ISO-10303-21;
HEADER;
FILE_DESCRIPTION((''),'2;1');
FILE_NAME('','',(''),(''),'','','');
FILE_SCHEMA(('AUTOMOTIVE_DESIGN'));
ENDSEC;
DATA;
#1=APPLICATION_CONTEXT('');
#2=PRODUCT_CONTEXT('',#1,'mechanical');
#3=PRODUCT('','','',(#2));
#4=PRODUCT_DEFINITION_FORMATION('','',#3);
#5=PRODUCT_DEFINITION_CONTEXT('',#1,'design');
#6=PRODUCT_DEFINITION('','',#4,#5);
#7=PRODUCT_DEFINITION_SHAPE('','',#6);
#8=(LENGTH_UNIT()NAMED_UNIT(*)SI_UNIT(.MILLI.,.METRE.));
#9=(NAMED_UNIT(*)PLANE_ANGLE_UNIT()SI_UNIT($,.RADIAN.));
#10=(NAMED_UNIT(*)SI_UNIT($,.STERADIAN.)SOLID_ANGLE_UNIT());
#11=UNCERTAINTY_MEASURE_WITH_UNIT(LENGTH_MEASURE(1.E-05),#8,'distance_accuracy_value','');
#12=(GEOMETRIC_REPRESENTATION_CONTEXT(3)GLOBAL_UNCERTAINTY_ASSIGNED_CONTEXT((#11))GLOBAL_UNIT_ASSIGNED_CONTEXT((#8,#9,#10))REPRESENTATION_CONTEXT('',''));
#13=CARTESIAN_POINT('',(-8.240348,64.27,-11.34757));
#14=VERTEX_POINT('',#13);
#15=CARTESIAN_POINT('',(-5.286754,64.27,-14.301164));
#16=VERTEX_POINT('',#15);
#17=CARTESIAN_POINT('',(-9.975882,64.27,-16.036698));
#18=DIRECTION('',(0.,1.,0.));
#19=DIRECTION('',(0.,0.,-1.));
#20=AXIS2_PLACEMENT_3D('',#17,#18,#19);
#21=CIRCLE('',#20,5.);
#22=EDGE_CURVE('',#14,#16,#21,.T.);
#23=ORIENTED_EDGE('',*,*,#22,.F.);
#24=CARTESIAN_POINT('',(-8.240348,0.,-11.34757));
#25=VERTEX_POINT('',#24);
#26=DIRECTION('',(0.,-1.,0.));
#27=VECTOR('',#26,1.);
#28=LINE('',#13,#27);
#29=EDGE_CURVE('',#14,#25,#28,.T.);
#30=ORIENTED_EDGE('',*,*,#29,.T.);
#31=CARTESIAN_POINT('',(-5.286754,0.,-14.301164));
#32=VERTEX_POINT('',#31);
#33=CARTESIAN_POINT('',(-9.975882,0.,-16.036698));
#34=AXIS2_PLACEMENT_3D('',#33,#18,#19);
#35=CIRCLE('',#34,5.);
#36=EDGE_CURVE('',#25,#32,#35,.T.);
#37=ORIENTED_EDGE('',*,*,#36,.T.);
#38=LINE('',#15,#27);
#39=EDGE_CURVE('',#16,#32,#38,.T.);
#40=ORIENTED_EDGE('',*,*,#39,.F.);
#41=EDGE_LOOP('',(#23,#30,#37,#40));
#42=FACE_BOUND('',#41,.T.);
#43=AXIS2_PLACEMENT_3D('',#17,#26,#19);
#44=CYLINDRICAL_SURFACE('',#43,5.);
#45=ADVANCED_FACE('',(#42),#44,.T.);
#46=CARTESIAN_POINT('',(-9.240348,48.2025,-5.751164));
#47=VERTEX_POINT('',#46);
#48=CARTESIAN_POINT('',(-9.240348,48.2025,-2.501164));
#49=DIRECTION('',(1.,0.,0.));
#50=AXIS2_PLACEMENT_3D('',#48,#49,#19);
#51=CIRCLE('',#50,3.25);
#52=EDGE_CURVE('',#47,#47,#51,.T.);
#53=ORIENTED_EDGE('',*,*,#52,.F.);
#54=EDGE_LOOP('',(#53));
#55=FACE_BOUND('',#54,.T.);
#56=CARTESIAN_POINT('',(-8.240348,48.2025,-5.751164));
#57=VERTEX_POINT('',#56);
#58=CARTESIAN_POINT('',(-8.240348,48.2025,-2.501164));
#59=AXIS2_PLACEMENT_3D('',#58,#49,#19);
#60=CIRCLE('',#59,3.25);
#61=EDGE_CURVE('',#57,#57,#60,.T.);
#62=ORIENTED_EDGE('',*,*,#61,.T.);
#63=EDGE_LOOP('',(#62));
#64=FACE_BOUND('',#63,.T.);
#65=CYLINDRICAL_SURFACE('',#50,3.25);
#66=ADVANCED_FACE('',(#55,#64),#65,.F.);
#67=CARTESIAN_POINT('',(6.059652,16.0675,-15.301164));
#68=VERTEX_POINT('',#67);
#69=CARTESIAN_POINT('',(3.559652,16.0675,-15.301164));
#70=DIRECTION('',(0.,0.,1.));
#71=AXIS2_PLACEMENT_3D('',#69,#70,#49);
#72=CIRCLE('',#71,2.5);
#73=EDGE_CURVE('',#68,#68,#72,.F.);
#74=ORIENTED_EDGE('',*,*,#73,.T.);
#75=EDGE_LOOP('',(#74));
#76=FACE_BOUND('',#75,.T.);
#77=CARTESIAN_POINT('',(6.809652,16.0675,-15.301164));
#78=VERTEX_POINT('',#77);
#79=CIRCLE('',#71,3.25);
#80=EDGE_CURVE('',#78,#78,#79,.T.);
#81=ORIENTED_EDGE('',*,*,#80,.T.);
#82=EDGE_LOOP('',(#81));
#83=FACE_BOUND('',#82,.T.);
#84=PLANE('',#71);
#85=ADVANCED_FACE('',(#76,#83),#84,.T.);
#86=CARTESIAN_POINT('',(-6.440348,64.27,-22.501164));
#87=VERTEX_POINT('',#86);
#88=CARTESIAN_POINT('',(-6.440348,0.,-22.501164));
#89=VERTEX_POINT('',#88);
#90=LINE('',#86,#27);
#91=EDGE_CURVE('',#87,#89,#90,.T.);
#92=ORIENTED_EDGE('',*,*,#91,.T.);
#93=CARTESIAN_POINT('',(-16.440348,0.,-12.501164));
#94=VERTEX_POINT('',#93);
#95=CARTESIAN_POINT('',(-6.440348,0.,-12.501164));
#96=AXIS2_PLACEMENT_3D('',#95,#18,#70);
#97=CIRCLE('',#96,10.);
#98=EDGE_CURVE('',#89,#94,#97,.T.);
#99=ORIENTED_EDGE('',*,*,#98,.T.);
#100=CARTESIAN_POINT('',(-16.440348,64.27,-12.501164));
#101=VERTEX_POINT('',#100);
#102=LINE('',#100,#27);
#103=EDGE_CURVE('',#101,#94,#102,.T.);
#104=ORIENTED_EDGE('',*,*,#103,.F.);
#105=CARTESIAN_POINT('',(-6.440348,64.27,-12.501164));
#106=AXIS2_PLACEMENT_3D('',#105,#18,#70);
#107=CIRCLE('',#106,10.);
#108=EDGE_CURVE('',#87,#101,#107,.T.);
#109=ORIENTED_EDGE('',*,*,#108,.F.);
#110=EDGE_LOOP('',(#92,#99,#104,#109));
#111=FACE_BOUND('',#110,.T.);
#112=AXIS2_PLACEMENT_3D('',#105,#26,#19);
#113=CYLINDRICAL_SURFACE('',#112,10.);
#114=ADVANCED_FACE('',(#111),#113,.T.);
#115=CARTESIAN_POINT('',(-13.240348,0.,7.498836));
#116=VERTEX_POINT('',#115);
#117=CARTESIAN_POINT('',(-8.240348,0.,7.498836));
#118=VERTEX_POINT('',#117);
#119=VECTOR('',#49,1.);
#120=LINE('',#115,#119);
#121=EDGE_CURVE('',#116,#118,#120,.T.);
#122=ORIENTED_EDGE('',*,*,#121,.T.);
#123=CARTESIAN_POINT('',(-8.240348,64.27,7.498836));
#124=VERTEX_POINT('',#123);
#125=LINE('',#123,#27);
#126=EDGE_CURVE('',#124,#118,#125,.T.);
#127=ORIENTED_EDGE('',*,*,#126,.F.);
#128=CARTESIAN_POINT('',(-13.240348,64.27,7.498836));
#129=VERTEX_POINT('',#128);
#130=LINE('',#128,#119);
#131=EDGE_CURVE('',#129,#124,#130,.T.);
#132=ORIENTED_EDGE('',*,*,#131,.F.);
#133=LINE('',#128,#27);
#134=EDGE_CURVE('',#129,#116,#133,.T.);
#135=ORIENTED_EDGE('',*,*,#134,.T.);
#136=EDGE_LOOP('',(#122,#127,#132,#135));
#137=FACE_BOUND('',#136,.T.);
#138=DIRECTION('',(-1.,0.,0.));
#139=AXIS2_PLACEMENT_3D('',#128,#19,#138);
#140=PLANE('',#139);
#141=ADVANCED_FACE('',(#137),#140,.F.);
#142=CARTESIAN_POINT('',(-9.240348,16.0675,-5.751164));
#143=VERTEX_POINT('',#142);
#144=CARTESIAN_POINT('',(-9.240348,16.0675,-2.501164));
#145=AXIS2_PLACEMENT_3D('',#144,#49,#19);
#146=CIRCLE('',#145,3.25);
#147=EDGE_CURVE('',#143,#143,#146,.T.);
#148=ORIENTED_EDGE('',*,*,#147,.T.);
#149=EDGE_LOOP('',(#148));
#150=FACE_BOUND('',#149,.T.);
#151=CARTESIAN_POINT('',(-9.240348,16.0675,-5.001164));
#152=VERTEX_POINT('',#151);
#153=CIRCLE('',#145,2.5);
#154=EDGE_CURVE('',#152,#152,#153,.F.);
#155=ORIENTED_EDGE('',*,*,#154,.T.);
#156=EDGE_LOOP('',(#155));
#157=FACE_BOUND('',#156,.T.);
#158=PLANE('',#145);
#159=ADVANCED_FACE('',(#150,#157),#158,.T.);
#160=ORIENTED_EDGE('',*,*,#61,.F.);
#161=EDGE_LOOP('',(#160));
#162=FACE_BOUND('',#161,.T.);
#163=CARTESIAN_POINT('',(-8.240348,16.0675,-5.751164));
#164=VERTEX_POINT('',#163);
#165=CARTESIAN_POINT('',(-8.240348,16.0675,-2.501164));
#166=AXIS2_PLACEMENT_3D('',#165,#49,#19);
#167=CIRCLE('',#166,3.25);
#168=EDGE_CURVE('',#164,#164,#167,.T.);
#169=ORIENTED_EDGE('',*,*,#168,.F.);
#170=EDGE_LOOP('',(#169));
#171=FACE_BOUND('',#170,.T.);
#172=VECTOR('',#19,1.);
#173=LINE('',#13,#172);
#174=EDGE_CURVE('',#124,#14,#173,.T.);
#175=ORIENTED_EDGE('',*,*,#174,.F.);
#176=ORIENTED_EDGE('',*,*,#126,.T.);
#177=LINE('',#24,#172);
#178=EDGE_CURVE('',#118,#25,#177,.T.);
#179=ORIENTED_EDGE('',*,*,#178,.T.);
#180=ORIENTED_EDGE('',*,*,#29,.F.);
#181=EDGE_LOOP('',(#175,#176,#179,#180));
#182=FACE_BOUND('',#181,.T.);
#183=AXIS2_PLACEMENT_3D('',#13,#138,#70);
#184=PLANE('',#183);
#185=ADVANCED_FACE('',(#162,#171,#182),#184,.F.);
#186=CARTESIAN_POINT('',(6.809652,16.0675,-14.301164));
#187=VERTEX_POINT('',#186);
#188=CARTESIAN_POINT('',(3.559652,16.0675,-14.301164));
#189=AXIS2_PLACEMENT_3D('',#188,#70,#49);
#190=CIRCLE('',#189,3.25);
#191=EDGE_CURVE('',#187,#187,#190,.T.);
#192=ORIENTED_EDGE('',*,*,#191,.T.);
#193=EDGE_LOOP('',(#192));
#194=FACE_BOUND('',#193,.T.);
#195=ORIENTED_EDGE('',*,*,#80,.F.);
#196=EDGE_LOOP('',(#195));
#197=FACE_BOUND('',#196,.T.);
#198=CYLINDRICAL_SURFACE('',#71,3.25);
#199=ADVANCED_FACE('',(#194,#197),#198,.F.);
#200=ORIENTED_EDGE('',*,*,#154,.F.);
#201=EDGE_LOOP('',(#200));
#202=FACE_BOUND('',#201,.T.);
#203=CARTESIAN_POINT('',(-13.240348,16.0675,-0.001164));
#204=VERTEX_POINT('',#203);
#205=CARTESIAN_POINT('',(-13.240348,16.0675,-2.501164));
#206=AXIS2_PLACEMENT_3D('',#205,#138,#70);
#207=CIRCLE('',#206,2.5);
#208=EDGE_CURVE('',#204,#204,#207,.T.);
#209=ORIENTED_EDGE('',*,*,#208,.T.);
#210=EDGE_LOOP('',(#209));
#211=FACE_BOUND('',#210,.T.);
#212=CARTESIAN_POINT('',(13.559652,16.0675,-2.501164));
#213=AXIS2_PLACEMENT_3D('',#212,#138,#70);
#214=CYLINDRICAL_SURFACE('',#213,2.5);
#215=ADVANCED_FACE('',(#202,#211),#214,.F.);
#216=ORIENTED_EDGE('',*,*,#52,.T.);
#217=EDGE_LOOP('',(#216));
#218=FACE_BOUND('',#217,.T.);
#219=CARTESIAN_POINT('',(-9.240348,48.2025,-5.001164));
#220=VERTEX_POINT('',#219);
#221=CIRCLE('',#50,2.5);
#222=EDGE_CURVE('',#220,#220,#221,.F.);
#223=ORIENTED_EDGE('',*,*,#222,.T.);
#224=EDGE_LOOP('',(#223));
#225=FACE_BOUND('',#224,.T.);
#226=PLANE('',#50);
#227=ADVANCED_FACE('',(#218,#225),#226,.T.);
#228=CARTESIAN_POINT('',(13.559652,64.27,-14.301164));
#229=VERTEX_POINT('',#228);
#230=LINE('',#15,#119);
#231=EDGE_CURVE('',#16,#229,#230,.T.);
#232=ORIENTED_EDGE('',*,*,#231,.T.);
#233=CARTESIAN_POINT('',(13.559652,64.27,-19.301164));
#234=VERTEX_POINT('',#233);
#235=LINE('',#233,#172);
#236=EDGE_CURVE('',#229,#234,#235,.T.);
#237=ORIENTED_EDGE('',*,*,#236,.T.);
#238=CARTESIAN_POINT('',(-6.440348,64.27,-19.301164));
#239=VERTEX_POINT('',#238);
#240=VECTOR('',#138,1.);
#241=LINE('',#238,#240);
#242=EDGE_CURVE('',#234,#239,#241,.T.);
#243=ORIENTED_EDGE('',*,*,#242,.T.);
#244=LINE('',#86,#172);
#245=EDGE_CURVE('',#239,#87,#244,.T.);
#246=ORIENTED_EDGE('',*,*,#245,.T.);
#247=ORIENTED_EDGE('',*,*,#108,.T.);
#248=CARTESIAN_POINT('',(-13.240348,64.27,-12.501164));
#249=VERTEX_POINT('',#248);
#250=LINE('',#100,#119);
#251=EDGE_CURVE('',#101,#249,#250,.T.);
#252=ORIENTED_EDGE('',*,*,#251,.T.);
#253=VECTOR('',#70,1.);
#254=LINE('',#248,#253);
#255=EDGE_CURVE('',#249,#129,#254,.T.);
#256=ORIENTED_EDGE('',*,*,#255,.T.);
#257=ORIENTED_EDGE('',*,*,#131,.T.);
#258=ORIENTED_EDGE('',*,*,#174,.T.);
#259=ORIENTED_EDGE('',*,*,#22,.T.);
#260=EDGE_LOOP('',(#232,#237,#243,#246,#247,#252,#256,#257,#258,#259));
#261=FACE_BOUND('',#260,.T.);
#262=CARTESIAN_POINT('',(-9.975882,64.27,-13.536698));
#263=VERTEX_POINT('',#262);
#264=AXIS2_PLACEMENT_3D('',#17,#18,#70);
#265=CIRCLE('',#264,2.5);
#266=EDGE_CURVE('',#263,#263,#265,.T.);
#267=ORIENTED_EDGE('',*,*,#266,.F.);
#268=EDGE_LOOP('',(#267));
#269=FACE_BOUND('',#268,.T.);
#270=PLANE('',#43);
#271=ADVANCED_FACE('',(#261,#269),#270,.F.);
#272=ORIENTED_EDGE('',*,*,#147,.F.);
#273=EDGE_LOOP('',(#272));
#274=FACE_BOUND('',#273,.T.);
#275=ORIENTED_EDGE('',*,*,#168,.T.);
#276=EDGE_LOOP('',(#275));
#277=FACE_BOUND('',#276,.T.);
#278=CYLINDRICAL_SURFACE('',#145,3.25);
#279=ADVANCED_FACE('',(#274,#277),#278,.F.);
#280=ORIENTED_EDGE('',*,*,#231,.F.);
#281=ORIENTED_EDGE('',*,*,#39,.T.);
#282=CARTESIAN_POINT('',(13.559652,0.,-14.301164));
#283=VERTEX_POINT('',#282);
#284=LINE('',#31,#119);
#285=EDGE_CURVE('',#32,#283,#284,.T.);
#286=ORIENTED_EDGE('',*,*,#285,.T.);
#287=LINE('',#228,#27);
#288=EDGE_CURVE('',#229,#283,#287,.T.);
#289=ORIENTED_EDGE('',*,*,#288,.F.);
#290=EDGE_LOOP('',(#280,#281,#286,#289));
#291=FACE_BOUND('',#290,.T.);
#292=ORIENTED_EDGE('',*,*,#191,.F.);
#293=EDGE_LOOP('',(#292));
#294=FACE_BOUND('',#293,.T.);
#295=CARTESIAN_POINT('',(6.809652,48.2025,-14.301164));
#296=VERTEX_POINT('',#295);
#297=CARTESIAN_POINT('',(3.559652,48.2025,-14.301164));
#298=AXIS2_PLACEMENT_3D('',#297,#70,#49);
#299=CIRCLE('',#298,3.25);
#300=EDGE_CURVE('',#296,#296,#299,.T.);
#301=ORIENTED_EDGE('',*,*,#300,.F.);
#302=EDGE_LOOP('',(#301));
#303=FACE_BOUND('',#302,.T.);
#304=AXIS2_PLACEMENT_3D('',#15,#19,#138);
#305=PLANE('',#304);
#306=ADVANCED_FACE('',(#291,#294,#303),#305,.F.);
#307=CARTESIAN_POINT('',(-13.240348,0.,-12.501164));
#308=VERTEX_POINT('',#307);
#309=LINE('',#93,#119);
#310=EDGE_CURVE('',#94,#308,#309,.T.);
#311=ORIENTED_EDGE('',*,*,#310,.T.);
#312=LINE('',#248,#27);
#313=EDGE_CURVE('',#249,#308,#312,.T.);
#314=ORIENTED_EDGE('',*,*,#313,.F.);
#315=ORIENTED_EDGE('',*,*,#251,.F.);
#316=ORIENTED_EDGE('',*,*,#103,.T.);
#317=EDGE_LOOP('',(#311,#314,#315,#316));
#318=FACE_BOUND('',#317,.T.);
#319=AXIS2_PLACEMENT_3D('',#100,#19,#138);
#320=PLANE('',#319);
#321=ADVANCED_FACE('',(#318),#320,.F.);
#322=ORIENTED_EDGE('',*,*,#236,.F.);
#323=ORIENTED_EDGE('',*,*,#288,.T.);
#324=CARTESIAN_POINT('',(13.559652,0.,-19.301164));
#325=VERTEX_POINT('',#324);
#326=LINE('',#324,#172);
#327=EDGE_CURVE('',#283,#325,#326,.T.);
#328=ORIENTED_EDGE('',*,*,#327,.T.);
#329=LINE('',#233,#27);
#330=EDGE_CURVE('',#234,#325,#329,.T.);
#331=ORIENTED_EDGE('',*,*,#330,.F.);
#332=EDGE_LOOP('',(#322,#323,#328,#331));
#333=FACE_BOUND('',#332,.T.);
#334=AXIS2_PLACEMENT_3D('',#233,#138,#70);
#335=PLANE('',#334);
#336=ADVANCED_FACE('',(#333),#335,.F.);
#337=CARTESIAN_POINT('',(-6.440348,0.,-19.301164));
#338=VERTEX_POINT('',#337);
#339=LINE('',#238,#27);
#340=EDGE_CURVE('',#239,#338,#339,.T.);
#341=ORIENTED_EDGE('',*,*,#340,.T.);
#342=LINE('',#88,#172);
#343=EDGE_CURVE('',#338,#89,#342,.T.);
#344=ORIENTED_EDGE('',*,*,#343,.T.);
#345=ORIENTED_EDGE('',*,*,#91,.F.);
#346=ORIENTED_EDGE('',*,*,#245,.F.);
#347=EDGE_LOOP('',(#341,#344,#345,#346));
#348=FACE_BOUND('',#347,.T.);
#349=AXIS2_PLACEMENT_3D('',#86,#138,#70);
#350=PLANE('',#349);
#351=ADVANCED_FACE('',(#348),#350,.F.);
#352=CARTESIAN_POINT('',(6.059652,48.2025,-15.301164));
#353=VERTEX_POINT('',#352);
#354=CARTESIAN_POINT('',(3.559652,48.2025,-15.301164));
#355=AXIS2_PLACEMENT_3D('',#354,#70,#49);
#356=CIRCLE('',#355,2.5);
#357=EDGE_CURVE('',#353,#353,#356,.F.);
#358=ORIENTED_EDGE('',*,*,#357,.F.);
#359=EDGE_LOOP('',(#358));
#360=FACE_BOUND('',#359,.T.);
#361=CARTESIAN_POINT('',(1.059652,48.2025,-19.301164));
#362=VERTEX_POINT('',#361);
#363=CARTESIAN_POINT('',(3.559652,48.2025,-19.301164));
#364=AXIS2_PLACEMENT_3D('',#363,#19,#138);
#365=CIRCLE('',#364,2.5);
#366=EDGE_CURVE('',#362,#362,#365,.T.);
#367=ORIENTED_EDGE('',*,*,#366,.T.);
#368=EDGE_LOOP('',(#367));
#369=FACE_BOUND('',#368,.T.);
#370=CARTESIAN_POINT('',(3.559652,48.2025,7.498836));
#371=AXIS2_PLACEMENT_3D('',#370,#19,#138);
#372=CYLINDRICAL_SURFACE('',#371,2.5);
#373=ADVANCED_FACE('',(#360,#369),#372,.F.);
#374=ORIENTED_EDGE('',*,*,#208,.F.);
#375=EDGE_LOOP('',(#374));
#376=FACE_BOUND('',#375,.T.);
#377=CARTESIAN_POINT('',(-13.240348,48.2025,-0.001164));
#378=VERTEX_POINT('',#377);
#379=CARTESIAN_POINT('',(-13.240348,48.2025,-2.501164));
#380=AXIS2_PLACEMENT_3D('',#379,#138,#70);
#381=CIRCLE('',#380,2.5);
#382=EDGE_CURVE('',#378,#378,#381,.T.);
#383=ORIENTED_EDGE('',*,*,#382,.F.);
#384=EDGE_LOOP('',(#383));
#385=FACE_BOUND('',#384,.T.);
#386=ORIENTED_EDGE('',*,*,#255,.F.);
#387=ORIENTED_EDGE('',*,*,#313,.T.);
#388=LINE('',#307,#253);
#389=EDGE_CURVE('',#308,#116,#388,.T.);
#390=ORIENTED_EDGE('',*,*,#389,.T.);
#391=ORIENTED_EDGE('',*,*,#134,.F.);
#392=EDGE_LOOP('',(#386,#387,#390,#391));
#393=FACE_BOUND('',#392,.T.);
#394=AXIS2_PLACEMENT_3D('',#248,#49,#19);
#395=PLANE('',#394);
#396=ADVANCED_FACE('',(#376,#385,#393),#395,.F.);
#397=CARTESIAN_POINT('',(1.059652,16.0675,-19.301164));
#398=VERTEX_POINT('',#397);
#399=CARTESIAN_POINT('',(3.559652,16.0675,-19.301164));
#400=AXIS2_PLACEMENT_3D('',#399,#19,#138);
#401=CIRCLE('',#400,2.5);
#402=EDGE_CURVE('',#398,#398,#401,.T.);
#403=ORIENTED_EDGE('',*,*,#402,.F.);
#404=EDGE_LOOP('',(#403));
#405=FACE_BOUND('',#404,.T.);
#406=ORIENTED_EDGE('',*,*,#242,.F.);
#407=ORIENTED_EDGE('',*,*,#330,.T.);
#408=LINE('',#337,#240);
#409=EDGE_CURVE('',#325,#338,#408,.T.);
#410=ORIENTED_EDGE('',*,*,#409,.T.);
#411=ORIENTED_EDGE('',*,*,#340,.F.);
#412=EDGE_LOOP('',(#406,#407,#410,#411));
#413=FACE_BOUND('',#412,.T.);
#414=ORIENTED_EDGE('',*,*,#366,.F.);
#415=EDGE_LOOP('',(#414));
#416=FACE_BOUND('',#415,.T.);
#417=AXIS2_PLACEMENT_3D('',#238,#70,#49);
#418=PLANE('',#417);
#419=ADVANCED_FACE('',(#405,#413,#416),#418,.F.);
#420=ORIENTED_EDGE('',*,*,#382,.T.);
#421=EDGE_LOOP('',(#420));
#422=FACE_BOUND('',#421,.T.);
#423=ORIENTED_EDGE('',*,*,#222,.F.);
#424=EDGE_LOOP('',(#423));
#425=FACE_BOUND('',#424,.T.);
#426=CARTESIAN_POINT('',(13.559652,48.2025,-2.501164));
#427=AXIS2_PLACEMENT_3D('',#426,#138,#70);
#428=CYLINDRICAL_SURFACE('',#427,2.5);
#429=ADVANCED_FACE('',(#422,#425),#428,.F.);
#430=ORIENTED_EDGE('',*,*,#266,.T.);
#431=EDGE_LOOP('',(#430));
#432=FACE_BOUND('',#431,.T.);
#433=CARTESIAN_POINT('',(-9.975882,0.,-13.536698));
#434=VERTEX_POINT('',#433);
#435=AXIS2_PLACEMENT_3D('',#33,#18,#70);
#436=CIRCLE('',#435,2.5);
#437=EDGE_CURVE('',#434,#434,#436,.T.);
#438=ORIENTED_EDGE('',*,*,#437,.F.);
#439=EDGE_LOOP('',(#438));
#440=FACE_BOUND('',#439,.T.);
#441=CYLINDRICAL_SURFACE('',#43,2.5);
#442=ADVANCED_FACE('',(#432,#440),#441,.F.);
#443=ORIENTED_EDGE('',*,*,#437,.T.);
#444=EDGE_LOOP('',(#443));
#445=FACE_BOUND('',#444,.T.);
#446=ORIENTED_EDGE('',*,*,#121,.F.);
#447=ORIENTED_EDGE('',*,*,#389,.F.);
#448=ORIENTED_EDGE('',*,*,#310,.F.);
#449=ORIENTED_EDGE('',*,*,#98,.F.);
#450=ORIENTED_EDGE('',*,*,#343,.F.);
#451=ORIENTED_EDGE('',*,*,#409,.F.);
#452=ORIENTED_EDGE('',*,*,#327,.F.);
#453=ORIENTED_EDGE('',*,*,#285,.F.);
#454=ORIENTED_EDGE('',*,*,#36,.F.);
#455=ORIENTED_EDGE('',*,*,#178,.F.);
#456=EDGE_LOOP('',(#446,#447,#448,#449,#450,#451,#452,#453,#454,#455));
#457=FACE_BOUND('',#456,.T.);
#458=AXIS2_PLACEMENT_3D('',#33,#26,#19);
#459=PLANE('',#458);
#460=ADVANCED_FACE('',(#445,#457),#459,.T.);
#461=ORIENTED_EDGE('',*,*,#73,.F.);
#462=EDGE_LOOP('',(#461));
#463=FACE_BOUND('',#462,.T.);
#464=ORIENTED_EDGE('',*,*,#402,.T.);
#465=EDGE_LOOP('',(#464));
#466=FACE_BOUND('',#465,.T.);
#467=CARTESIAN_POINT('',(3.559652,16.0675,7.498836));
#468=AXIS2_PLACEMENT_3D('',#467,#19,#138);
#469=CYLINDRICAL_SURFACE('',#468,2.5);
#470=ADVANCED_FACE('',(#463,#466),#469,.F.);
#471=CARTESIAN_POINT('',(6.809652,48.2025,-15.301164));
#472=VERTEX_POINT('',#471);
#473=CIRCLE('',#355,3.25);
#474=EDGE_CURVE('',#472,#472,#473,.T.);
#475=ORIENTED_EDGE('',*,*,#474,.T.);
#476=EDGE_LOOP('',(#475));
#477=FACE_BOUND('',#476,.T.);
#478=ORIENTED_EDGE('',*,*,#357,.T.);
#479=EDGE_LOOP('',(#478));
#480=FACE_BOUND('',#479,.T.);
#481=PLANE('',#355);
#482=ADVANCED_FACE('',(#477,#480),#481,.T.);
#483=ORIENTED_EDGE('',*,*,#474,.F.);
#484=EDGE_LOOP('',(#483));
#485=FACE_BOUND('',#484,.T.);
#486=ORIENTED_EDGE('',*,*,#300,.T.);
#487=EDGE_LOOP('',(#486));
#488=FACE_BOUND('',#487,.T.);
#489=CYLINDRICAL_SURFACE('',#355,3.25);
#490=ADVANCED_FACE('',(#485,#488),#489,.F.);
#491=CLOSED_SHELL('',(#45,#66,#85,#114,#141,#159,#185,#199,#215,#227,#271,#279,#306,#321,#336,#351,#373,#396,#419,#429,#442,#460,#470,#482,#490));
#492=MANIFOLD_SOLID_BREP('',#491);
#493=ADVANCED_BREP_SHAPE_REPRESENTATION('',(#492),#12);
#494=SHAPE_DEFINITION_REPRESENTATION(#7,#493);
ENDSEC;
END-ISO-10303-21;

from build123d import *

# Parameters (mm, degrees)
SKETCH4_R           = 2.5
BOSS_EXTRUDE1_DEPTH = 64.27
SKETCH5_R           = 2.5
CUT_EXTRUDE1_DEPTH  = 72.548291037
SKETCH6_R           = 2.5
CUT_EXTRUDE2_DEPTH  = 74.179063133
SKETCH7_R           = 3.25
CUT_EXTRUDE3_DEPTH  = 1
SKETCH8_R           = 3.25
CUT_EXTRUDE4_DEPTH  = 1


with BuildPart() as part:
    # Sketch4 → Boss-Extrude1 (new body)
    with BuildSketch(Plane(origin=(0, 0, 0), x_dir=(1, 0, 0), z_dir=(0, 1, 0))):
        with BuildLine():
            Line((-5.286754077, 14.301163994), (13.559651759, 14.301163994))
            Line((13.559651759, 14.301163994), (13.559651759, 19.301163994))
            Line((13.559651759, 19.301163994), (-6.440348241, 19.301163994))
            Line((-6.440348241, 19.301163994), (-6.440348241, 22.501163994))
            ThreePointArc((-6.440348241, 22.501163994), (-13.511416053, 19.572231806), (-16.440348241, 12.501163994))
            Line((-16.440348241, 12.501163994), (-13.240348241, 12.501163994))
            Line((-13.240348241, 12.501163994), (-13.240348241, -7.498836006))
            Line((-13.240348241, -7.498836006), (-8.240348241, -7.498836006))
            Line((-8.240348241, -7.498836006), (-8.240348241, 11.347569829))
            ThreePointArc((-8.240348241, 11.347569829), (-6.440348241, 12.501163994), (-5.286754077, 14.301163994))
        make_face()
        with Locations(Location((-9.975882147, 16.0366979, 0), (0, 0, 270))):
            Circle(SKETCH4_R, mode=Mode.SUBTRACT)
    extrude(amount=BOSS_EXTRUDE1_DEPTH)

    # Sketch5 → Cut-Extrude1 (cut, through all)
    with BuildSketch(Plane(origin=(0, 0, -19.301163994), x_dir=(-1, 0, 0), z_dir=(0, 0, -1))):
        with Locations((-3.559651759, 48.2025)):
            Circle(SKETCH5_R)
        with Locations((-3.559651759, 16.0675)):
            Circle(SKETCH5_R)
    extrude(amount=-CUT_EXTRUDE1_DEPTH, mode=Mode.SUBTRACT)

    # Sketch6 → Cut-Extrude2 (cut, through all)
    with BuildSketch(Plane.ZY.offset(13.240348241)):
        with Locations((-2.501163994, 48.2025)):
            Circle(SKETCH6_R)
        with Locations((-2.501163994, 16.0675)):
            Circle(SKETCH6_R)
    extrude(amount=-CUT_EXTRUDE2_DEPTH, mode=Mode.SUBTRACT)

    # Sketch7 → Cut-Extrude3 (cut)
    with BuildSketch(Plane(origin=(-8.240348241, 0, 0), x_dir=(0, 0, -1), z_dir=(1, 0, 0))):
        with Locations((2.501163994, 48.2025)):
            Circle(SKETCH7_R)
        with Locations((2.501163994, 16.0675)):
            Circle(SKETCH7_R)
    extrude(amount=-CUT_EXTRUDE3_DEPTH, mode=Mode.SUBTRACT)

    # Sketch8 → Cut-Extrude4 (cut)
    with BuildSketch(Plane.XY.offset(-14.301163994)):
        with Locations((3.559651759, 48.2025)):
            Circle(SKETCH8_R)
        with Locations((3.559651759, 16.0675)):
            Circle(SKETCH8_R)
    extrude(amount=-CUT_EXTRUDE4_DEPTH, mode=Mode.SUBTRACT)


solid = part.part
